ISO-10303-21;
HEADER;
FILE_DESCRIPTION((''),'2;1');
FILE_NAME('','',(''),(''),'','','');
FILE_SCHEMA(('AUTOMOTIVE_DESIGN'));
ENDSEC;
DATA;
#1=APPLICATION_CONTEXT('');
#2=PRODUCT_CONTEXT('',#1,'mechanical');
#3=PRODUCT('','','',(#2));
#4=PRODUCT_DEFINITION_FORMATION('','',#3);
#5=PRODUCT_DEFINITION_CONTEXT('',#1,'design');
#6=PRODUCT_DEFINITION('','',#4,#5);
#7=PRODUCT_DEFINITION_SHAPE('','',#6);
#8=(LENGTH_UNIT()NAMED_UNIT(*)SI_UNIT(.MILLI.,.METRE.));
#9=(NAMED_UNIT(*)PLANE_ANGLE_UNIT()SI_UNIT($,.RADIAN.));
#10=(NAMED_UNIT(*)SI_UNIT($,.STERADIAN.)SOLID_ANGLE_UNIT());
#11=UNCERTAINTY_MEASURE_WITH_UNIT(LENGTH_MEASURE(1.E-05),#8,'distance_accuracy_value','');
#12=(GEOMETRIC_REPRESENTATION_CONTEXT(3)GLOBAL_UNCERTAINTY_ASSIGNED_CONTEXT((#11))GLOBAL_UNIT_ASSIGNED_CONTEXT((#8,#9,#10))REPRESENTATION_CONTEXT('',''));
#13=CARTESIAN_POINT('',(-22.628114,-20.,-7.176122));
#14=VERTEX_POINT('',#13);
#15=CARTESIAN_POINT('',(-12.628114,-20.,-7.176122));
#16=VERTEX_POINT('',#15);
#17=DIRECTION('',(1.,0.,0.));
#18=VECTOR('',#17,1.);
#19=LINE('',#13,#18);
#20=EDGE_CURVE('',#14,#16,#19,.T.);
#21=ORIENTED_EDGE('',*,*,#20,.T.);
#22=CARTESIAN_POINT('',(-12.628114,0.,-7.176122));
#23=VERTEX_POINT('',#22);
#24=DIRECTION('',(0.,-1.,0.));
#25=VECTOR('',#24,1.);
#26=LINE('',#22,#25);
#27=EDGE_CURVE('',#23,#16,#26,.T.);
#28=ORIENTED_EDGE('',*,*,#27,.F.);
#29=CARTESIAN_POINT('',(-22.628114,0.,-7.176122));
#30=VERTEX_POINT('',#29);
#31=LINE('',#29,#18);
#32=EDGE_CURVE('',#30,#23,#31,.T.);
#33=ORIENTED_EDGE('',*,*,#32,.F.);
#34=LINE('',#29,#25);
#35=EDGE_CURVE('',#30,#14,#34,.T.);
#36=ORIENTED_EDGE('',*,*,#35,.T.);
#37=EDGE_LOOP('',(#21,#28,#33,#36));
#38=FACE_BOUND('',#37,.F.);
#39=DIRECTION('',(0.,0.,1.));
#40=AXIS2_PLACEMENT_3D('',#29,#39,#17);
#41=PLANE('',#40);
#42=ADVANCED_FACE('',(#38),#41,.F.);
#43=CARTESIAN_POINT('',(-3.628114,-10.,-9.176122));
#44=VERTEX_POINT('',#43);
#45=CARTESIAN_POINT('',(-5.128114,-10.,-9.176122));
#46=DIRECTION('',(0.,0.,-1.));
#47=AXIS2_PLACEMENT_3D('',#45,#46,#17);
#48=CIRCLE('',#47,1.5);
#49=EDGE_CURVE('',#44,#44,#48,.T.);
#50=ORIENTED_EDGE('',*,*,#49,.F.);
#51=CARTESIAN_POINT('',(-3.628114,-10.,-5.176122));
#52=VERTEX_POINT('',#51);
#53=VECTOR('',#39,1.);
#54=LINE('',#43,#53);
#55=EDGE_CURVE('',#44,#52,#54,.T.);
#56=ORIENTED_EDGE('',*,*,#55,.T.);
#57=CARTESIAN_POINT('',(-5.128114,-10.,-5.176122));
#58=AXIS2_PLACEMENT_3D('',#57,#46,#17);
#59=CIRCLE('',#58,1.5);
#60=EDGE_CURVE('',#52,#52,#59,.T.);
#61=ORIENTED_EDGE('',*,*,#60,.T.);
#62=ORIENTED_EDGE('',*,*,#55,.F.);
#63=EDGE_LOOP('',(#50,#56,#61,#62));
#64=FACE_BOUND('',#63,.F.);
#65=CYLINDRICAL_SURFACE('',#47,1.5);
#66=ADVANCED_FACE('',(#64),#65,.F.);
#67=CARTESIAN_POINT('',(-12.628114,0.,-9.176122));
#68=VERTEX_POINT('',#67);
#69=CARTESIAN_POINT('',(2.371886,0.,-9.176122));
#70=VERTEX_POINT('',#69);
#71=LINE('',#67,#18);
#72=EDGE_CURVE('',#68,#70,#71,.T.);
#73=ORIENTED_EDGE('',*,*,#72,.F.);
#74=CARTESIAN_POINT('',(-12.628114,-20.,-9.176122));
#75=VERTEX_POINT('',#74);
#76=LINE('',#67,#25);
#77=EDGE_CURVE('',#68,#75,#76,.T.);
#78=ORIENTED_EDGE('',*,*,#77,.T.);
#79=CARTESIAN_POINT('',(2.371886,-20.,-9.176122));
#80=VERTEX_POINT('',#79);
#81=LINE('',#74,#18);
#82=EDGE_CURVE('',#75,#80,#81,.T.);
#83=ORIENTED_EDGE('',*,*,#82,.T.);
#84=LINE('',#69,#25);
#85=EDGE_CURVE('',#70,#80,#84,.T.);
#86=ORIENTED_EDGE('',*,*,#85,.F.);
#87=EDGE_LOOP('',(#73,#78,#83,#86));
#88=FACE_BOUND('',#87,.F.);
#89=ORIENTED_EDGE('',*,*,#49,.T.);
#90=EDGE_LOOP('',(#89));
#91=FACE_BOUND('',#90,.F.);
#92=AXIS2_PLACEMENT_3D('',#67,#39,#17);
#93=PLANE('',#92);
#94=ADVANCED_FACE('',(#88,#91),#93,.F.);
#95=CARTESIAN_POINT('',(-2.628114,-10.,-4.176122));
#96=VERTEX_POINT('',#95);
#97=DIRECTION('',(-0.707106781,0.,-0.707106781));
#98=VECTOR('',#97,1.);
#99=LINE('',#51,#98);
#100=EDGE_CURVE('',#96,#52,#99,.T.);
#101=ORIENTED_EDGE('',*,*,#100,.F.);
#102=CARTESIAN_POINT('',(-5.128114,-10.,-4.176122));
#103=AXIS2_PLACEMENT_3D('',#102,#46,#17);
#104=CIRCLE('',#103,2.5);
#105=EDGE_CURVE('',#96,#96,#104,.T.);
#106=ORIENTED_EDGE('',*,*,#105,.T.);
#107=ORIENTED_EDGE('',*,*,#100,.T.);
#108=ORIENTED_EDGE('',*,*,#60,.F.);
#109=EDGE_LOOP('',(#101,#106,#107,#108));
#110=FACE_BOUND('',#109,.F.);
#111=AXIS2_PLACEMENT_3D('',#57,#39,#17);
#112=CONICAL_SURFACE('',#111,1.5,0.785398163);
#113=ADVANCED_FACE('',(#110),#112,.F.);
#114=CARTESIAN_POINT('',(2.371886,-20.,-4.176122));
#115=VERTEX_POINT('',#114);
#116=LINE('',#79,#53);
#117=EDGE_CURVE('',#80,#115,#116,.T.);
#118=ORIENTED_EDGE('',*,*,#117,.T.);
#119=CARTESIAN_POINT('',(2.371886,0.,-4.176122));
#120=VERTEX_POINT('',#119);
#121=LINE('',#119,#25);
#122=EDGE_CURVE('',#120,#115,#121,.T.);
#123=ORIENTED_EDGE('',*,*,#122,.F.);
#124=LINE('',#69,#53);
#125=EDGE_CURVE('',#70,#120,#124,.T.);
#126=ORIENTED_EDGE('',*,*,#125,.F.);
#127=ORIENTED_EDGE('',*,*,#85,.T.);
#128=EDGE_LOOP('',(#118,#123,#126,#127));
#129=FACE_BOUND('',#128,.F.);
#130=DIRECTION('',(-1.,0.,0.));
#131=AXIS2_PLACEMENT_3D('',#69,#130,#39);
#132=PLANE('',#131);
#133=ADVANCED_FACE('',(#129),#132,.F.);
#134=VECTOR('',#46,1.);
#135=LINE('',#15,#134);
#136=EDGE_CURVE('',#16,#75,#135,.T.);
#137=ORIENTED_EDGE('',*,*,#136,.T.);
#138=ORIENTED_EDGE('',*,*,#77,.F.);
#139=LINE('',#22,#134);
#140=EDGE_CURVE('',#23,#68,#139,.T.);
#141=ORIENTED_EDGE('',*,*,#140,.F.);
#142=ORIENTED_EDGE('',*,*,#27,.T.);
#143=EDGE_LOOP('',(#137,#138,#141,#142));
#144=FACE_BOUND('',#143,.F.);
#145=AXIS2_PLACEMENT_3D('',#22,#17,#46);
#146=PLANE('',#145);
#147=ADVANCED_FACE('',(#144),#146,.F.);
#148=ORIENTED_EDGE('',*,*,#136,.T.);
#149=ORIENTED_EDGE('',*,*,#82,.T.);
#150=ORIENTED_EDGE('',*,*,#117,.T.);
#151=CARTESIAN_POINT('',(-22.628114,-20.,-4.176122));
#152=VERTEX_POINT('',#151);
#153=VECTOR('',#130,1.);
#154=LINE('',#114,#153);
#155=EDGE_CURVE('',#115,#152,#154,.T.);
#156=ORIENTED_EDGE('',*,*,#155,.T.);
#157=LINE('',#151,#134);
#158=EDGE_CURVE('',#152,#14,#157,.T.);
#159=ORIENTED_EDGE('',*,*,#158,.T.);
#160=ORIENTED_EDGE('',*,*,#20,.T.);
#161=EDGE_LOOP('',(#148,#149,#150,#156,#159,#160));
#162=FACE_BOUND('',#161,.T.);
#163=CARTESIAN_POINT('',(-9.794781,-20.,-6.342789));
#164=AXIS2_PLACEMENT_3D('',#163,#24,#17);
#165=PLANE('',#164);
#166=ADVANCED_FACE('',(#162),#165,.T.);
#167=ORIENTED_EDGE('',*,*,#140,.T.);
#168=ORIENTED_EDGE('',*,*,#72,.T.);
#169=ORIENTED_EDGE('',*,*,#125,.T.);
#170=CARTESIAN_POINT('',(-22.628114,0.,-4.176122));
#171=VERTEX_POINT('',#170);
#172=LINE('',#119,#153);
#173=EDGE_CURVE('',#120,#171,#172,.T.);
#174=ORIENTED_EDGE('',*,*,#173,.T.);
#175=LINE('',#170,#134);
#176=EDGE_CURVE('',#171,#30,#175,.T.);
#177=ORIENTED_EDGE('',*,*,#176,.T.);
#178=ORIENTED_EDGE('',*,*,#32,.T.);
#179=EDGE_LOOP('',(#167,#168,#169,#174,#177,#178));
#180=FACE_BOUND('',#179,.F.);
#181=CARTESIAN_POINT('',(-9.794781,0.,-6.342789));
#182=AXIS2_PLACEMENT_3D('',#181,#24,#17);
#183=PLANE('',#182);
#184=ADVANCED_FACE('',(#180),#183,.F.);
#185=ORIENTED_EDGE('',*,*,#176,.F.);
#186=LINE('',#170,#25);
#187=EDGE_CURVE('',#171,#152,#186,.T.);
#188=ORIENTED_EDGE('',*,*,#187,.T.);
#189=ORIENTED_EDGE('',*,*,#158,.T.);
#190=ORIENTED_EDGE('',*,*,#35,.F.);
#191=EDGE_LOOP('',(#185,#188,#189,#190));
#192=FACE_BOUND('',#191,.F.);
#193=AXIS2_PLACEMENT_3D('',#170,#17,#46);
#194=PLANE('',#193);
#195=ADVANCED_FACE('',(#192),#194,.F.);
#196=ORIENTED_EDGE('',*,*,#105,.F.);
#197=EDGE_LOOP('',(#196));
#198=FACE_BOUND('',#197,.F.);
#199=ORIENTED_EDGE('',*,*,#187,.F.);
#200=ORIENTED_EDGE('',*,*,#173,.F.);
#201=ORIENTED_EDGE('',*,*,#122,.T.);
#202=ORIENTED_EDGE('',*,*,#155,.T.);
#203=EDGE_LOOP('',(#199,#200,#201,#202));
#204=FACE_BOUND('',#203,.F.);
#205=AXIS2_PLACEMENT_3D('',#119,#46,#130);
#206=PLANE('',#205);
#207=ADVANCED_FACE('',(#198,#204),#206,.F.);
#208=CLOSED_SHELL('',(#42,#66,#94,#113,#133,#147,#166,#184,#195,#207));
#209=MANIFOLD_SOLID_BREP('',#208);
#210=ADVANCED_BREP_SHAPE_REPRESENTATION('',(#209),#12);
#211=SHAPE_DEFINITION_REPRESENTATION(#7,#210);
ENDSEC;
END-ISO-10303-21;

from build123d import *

# Parameters (mm, degrees)
F1_DEPTH = 20
F2_R     = 1.5
F3_DEPTH = 5.001
F4_SIZE  = 1


with BuildPart() as f1:
    # F0 (on Front) → F1 (new body)
    with BuildSketch(Plane.XZ):
        Polygon((-22.628114, -7.176122), (-12.628114, -7.176122), (-12.628114, -9.176122), (2.371886, -9.176122), (2.371886, -4.176122), (-22.628114, -4.176122), align=None)
    extrude(amount=F1_DEPTH)

    # F2 (on face) → F3 (cut, through all)
    with BuildSketch(Plane(origin=(0, 0, -9.176122), x_dir=(1, 0, 0), z_dir=(0, 0, -1))):
        with Locations((-5.128114, 10)):
            Circle(F2_R)
    extrude(amount=-F3_DEPTH, mode=Mode.SUBTRACT)

    # F4
    f4_edges = [f1.edges().sort_by_distance(p)[0] for p in [
        (-6.628114, -10, -4.176122),
    ]]
    chamfer(f4_edges, length=F4_SIZE)


solid = f1.part
